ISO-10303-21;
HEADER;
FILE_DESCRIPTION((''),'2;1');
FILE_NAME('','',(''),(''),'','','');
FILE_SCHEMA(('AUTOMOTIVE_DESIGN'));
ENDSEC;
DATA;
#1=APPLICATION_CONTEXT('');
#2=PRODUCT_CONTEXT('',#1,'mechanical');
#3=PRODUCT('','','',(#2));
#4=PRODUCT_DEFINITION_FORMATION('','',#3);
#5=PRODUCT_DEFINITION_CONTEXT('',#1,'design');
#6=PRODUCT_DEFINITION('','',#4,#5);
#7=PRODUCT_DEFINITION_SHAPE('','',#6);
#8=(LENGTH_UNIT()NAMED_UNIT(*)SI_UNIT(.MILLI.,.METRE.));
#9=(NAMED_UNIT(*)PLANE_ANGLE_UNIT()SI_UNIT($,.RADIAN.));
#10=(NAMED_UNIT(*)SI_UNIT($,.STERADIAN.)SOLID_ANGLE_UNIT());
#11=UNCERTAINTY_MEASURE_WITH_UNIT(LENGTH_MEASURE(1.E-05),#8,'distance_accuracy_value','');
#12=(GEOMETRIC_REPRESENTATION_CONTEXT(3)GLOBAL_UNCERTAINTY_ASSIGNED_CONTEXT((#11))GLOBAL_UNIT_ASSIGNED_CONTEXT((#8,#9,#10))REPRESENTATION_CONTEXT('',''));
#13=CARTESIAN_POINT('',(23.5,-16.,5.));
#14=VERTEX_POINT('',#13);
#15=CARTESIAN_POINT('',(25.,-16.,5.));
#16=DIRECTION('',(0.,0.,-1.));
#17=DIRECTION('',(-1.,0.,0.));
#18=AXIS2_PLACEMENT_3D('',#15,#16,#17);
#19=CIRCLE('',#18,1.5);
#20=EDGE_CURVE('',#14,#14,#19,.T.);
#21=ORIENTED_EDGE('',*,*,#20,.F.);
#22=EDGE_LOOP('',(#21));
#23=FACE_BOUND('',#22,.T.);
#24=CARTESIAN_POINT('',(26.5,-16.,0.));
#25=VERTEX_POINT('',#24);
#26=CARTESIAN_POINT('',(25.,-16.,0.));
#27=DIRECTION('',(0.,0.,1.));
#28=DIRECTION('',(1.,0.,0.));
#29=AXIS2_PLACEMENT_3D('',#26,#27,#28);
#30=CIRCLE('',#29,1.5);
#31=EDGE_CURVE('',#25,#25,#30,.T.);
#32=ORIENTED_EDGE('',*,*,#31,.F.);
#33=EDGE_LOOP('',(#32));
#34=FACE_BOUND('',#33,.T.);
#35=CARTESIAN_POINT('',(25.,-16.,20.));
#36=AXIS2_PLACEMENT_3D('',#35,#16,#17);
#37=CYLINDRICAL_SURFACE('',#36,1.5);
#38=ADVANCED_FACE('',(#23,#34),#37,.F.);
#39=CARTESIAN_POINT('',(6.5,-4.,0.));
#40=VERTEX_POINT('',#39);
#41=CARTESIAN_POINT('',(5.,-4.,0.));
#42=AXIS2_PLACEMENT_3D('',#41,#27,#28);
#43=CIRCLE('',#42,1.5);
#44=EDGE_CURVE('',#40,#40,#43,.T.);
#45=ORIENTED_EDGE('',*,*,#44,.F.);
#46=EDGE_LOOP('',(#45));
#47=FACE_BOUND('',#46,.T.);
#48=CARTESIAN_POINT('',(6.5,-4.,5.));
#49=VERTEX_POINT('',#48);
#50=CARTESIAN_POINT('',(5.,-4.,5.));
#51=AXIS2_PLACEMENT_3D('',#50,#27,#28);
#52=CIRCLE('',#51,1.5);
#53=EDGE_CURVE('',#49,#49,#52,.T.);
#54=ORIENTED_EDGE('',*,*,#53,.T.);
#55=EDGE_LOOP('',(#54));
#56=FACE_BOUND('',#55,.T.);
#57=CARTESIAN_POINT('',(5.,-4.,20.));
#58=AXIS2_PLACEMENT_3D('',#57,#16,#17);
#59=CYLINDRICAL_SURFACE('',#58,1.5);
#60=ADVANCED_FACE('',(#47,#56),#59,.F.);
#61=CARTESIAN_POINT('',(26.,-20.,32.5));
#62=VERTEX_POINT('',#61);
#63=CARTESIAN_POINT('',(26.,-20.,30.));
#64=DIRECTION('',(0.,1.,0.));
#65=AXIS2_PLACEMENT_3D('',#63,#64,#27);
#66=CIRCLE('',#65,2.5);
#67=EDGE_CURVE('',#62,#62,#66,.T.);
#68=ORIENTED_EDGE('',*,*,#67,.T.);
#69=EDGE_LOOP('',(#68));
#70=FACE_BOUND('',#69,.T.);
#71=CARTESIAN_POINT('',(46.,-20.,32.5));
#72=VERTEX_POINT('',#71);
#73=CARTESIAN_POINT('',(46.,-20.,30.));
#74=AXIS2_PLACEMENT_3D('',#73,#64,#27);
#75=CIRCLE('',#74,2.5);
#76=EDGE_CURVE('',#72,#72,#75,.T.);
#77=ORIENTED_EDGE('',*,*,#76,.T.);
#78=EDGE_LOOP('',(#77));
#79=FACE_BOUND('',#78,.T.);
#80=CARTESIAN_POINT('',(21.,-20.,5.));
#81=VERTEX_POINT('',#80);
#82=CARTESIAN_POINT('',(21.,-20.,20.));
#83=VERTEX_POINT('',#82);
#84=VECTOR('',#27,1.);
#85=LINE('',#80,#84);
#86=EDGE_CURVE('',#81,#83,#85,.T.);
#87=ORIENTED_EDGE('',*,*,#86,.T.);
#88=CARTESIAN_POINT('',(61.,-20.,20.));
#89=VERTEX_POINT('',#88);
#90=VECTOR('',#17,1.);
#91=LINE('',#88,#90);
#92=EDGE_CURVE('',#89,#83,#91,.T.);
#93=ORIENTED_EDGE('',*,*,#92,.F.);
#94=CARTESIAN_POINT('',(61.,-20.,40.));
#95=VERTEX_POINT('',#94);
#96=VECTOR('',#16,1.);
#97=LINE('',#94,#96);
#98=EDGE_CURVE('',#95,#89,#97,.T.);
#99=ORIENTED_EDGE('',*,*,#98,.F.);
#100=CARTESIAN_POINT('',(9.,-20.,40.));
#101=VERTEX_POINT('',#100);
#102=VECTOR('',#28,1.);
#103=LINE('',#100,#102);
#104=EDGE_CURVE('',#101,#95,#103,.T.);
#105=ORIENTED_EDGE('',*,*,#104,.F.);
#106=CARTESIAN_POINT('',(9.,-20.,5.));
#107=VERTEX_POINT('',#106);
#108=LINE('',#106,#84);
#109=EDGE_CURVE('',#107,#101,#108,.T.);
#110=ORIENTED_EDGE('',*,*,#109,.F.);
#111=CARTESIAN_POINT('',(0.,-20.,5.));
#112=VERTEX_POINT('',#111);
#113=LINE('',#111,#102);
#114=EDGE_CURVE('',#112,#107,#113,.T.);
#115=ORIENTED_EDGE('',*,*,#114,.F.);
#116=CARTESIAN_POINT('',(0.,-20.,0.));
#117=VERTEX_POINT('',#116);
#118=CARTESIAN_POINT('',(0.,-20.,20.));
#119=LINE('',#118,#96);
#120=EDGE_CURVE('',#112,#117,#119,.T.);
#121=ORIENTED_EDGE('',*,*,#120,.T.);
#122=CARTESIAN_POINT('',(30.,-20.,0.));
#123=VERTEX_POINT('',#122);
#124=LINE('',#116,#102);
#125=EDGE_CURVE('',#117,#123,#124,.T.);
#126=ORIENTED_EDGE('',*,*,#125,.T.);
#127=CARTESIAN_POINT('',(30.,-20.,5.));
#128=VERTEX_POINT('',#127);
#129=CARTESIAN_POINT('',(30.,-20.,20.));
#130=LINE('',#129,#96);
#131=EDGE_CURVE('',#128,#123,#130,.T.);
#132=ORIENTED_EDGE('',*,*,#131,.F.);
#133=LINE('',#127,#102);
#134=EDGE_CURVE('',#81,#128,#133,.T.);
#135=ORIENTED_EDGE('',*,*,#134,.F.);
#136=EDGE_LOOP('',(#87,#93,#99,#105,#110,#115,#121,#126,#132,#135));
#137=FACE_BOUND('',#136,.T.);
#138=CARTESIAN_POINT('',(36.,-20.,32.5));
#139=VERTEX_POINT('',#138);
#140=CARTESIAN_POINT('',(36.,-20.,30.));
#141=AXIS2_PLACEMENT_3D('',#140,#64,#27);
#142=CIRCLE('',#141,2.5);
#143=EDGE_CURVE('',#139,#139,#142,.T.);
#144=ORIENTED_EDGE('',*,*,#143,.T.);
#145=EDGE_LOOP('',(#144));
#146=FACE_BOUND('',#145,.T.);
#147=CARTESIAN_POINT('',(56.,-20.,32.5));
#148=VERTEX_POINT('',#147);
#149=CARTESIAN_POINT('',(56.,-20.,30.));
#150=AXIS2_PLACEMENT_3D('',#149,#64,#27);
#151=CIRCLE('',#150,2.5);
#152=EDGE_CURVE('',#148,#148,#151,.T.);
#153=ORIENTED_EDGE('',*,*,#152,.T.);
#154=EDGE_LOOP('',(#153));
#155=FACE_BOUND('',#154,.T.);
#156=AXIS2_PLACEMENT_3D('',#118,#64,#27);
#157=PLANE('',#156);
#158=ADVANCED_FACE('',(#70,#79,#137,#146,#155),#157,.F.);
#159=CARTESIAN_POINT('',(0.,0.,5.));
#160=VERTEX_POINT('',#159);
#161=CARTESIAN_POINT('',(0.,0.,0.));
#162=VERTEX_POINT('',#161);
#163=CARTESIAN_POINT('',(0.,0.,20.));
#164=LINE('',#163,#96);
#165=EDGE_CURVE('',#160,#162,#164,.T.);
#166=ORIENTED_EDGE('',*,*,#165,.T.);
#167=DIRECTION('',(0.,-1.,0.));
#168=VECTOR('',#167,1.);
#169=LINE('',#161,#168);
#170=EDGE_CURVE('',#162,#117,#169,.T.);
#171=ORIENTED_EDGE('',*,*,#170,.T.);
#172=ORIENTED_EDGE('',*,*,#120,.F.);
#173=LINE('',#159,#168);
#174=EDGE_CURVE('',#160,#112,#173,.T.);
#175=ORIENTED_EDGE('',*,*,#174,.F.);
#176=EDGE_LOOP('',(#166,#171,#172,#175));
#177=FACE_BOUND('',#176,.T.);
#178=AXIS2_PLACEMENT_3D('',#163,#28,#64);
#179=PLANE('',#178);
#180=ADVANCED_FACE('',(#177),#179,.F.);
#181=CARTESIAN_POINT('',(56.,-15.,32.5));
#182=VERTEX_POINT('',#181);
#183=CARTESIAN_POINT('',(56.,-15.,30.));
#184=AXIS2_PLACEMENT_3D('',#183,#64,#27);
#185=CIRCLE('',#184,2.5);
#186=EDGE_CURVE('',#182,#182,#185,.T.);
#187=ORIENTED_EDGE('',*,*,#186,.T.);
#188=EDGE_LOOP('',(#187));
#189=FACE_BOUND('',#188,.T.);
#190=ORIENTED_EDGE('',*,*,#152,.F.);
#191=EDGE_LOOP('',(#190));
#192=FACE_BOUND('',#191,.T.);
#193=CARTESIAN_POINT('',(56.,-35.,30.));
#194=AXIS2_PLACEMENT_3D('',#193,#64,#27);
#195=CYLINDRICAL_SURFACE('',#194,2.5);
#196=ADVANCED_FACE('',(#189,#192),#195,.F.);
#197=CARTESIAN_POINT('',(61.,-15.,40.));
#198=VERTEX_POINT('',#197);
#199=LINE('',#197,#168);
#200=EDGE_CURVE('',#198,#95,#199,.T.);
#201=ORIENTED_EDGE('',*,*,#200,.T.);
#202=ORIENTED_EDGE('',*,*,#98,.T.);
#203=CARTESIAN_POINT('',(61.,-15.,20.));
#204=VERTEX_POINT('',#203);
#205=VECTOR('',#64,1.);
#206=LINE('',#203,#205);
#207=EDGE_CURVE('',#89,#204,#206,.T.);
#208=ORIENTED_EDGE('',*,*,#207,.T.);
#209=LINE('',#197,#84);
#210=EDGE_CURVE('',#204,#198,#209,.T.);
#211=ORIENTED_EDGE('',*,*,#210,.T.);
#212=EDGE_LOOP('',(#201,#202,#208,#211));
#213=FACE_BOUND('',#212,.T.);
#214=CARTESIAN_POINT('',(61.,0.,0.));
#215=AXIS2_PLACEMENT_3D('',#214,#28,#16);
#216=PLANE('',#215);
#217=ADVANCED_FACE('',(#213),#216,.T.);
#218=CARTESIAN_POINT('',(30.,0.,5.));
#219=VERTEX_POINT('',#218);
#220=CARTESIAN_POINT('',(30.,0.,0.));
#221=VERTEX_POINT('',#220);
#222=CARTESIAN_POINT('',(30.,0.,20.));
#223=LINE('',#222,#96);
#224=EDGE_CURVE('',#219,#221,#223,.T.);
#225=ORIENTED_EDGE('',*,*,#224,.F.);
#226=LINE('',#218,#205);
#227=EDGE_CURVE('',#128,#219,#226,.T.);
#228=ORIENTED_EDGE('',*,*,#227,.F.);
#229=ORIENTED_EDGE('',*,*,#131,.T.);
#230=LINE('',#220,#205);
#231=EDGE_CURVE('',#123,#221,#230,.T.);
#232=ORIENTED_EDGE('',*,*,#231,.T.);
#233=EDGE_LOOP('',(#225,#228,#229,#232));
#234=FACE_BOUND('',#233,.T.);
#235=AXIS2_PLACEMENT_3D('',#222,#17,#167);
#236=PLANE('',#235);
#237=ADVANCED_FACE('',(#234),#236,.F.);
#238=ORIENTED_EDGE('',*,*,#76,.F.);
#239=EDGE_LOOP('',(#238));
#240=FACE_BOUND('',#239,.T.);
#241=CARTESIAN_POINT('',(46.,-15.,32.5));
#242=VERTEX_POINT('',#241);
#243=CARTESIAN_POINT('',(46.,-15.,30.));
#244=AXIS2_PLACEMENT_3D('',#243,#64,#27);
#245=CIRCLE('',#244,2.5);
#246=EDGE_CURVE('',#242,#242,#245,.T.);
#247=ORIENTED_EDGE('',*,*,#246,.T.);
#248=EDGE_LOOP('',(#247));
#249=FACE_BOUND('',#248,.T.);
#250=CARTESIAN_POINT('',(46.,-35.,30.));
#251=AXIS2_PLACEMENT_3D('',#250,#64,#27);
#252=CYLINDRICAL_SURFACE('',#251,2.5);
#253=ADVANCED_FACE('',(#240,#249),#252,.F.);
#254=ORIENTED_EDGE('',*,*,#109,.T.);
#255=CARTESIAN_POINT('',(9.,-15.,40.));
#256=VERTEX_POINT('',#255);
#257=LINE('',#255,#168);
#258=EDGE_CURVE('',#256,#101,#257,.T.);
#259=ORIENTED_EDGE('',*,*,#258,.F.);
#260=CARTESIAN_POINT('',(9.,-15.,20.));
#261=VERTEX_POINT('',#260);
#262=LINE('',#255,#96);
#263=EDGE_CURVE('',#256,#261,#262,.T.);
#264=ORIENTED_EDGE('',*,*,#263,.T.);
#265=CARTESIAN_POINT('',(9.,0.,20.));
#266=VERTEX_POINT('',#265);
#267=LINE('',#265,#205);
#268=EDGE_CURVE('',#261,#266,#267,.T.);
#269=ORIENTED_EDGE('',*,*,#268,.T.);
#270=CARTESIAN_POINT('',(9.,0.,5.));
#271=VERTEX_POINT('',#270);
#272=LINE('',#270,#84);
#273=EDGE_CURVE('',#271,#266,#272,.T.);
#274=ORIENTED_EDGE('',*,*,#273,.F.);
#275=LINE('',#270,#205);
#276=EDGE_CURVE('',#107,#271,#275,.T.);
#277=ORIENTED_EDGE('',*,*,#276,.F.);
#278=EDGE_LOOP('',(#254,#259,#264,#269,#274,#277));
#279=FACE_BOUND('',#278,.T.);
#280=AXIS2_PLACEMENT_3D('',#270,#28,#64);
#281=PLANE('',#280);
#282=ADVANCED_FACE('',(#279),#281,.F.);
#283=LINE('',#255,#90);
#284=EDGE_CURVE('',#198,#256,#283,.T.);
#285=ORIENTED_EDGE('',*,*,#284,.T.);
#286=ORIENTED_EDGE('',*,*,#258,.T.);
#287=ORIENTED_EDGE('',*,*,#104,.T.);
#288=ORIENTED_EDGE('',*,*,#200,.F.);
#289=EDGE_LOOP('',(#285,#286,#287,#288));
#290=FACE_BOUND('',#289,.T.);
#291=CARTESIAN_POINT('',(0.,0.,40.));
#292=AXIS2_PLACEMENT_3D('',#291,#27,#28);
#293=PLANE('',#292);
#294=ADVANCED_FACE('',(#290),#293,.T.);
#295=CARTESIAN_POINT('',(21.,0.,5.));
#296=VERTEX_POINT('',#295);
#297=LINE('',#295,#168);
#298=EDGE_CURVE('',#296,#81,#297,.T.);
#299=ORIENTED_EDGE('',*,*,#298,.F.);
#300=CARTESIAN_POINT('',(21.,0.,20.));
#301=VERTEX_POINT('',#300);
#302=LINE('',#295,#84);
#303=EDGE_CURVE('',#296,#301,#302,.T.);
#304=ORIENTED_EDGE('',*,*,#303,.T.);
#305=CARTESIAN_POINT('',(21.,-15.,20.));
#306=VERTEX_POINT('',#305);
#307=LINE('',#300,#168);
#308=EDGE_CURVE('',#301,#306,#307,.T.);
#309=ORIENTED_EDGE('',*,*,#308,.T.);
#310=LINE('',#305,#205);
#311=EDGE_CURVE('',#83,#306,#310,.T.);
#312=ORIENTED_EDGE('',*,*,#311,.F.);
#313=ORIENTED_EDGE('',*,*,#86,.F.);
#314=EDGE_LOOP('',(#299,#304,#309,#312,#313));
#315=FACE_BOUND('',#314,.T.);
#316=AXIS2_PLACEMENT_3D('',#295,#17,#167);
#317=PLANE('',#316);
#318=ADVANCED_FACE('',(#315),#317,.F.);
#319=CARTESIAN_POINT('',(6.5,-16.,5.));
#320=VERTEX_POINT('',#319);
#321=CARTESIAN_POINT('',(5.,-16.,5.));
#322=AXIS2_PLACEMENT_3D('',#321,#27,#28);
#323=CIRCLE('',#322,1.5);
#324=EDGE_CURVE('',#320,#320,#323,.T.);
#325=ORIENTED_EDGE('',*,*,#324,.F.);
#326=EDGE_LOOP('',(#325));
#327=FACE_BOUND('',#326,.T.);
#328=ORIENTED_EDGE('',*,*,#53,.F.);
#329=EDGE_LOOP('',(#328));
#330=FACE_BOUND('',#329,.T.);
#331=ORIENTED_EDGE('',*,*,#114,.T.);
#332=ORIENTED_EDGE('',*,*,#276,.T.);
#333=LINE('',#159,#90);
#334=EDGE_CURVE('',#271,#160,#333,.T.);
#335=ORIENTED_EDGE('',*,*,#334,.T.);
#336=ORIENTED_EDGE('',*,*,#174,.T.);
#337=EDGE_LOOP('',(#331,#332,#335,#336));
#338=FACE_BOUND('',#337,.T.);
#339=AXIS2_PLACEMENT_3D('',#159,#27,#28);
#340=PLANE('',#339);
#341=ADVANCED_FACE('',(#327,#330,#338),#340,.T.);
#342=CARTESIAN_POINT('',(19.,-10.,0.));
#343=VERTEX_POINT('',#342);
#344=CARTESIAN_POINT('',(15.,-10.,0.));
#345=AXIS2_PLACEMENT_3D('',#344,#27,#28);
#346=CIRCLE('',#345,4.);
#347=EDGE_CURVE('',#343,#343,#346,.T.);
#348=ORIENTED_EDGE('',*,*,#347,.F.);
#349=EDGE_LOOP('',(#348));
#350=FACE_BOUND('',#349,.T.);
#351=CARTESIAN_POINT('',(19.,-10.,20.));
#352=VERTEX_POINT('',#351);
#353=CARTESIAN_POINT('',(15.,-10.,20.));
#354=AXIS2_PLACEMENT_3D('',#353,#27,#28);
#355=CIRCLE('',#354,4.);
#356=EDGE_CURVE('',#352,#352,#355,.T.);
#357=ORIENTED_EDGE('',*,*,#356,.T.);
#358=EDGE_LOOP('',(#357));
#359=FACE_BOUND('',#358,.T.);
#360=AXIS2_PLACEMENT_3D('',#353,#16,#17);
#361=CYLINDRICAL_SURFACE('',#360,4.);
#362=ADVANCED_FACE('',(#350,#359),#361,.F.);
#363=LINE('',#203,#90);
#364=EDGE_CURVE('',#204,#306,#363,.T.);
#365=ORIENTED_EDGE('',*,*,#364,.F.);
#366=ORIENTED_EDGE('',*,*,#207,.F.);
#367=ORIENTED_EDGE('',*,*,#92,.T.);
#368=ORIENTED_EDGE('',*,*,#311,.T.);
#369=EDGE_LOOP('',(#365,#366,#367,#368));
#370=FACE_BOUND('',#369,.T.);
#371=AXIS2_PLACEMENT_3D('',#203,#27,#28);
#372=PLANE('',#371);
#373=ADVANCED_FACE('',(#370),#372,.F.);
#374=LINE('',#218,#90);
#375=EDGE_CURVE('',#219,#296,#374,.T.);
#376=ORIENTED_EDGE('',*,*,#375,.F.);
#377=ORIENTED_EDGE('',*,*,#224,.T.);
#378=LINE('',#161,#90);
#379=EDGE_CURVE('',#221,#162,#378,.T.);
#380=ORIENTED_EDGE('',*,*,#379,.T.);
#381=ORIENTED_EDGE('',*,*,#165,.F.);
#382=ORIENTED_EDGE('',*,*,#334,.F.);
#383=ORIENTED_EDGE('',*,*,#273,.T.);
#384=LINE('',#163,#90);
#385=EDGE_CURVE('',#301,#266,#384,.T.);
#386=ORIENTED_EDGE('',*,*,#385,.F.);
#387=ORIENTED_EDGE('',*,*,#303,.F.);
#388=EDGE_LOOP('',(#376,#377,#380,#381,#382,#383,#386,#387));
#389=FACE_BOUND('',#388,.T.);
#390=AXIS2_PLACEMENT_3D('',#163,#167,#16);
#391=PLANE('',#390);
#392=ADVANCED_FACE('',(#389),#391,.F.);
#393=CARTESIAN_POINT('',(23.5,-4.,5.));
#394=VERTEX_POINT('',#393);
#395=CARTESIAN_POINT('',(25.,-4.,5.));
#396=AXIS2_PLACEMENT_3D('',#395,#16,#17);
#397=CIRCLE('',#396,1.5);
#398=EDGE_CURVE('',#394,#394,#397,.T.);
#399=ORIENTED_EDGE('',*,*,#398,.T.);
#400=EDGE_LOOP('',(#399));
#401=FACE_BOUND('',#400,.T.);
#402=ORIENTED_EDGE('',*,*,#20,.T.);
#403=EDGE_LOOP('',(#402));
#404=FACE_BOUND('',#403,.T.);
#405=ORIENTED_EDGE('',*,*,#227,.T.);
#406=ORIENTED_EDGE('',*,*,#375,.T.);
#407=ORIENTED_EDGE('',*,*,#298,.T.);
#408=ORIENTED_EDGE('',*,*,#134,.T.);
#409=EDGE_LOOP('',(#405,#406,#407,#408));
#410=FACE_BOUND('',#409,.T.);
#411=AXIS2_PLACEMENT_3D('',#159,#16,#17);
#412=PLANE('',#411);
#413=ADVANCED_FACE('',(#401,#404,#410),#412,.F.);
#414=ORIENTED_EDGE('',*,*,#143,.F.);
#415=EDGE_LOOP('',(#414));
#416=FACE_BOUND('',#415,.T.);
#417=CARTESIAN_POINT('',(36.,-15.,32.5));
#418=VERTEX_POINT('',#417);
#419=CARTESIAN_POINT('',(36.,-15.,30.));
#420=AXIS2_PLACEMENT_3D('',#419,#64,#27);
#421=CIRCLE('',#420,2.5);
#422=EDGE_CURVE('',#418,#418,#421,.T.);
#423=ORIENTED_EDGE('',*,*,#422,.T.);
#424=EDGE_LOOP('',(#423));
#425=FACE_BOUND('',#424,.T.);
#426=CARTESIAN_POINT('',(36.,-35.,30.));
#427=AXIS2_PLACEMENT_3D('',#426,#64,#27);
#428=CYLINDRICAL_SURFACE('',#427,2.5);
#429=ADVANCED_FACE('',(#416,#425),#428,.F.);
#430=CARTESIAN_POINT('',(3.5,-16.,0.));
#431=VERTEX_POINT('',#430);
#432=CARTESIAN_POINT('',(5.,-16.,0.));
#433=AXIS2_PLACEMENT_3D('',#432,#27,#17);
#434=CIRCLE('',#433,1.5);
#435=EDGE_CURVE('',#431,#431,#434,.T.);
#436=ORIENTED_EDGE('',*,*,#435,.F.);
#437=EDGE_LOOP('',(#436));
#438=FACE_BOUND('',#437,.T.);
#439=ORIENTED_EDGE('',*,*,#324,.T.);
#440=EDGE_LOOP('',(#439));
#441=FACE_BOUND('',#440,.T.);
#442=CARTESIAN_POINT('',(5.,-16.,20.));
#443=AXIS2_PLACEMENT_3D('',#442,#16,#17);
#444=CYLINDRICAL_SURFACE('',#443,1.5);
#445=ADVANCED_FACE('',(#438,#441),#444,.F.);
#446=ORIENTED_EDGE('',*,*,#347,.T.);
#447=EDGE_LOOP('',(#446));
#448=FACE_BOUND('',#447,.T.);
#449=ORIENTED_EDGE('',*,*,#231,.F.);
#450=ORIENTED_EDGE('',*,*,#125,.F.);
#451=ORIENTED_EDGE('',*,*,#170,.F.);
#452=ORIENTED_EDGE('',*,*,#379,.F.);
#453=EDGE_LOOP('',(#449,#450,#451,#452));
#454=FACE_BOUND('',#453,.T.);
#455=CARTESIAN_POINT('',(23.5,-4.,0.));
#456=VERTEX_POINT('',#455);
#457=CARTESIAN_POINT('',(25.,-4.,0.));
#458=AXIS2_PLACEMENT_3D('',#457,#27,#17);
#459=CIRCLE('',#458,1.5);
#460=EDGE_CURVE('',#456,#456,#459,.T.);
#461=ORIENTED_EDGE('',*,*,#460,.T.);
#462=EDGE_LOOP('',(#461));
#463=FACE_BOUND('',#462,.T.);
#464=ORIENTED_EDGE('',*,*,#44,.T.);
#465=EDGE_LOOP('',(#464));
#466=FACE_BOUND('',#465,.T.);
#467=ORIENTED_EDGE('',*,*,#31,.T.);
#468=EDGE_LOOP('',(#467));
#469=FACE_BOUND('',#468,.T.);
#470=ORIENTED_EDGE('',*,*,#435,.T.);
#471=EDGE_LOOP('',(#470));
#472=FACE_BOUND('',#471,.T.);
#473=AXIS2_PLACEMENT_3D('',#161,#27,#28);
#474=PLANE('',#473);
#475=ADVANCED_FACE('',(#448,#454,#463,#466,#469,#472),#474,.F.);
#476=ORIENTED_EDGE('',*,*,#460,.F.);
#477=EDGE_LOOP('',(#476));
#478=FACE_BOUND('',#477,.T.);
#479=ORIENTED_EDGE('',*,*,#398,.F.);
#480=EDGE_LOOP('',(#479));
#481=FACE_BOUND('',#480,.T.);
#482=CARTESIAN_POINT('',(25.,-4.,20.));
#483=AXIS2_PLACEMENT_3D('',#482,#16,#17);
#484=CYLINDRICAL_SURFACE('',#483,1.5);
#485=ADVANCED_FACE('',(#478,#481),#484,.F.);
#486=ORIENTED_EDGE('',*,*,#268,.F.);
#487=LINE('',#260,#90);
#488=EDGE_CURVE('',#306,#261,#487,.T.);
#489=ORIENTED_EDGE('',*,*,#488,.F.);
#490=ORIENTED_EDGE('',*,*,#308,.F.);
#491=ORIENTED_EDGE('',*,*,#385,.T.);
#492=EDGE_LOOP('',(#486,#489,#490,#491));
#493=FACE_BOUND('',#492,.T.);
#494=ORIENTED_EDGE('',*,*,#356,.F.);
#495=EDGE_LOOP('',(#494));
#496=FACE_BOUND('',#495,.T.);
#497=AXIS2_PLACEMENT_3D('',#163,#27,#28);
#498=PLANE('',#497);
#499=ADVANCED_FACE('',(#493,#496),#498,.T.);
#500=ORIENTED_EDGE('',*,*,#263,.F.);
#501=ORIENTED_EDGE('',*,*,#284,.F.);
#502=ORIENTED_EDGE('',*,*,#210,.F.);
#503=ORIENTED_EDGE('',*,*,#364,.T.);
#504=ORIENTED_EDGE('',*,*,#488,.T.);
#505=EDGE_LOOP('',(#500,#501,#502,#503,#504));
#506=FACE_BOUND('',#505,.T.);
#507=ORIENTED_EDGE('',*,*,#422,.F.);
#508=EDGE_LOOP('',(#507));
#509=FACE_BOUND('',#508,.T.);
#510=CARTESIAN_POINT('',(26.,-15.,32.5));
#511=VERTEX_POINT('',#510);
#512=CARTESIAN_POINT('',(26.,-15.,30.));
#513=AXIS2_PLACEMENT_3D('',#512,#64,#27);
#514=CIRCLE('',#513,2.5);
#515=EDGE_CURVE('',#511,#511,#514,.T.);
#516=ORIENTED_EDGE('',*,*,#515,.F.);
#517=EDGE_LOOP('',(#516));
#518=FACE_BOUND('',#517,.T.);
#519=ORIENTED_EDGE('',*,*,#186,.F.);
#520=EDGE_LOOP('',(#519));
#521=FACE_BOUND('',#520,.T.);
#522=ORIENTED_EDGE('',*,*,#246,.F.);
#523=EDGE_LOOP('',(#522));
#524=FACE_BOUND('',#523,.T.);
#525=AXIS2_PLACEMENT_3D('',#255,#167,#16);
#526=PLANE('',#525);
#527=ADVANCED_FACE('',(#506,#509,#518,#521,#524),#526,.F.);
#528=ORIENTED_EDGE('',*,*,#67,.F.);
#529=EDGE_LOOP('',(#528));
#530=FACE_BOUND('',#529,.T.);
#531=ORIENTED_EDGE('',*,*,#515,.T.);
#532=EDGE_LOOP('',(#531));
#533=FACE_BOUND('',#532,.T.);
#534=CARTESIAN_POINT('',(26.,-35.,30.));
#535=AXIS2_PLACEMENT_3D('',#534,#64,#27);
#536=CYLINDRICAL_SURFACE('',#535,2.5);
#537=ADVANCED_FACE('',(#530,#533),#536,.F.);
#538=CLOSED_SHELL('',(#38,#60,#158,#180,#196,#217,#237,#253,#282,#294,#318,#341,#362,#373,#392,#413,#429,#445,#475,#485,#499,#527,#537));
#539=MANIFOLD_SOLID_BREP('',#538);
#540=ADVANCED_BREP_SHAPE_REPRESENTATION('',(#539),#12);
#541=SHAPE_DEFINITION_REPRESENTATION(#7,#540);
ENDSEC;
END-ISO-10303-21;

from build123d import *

# Parameters (mm, degrees)
SKETCH_1_W          = 30
SKETCH_1_H          = 20
SKETCH_1_R          = 1.5
SKETCH_1_R_2        = 4
EXTRUDE_1_DEPTH     = 20
SKETCH_2_W          = 9
SKETCH_2_H          = 20
CUT_EXTRUDE_1_DEPTH = 15
SKETCH_3_W          = 12
SKETCH_3_H          = 5
EXTRUDE_2_DEPTH     = 20
SKETCH_4_W          = 20
SKETCH_4_H          = 5
EXTRUDE_3_DEPTH     = 40
SKETCH_5_R          = 2.5
CUT_EXTRUDE_2_DEPTH = 20


with BuildPart() as part:
    # 草图1 → 凸台-拉伸1 (new body)
    with BuildSketch(Plane.XY):
        with Locations((15, -10)):
            Rectangle(SKETCH_1_W, SKETCH_1_H)
        with Locations((5, -4)):
            Circle(SKETCH_1_R, mode=Mode.SUBTRACT)
        with Locations((25, -4)):
            Circle(SKETCH_1_R, mode=Mode.SUBTRACT)
        with Locations((25, -16)):
            Circle(SKETCH_1_R, mode=Mode.SUBTRACT)
        with Locations((5, -16)):
            Circle(SKETCH_1_R, mode=Mode.SUBTRACT)
        with Locations((15, -10)):
            Circle(SKETCH_1_R_2, mode=Mode.SUBTRACT)
    extrude(amount=EXTRUDE_1_DEPTH)

    # 草图2 → 切除-拉伸1 (cut)
    with BuildSketch(Plane.XY.offset(20)):
        with Locations((4.5, -10)):
            Rectangle(SKETCH_2_W, SKETCH_2_H)
        with Locations((25.5, -10)):
            Rectangle(SKETCH_2_W, SKETCH_2_H)
    extrude(amount=-CUT_EXTRUDE_1_DEPTH, mode=Mode.SUBTRACT)

    # 草图3 → 凸台-拉伸2 (add)
    with BuildSketch(Plane.XY.offset(20)):
        with Locations((15, -17.5)):
            Rectangle(SKETCH_3_W, SKETCH_3_H)
    extrude(amount=EXTRUDE_2_DEPTH)

    # 草图4 → 凸台-拉伸3 (add)
    with BuildSketch(Plane(origin=(21, 0, 0), x_dir=(0, 0, -1), z_dir=(1, 0, 0))):
        with Locations((-30, -17.5)):
            Rectangle(SKETCH_4_W, SKETCH_4_H)
    extrude(amount=EXTRUDE_3_DEPTH)

    # 草图5 → 切除-拉伸2 (cut)
    with BuildSketch(Plane(origin=(0, -15, 0), x_dir=(1, 0, 0), z_dir=(0, 1, 0))):
        with Locations((26, -30)):
            Circle(SKETCH_5_R)
        with Locations((36, -30)):
            Circle(SKETCH_5_R)
        with Locations((46, -30)):
            Circle(SKETCH_5_R)
        with Locations((56, -30)):
            Circle(SKETCH_5_R)
    extrude(amount=-CUT_EXTRUDE_2_DEPTH, mode=Mode.SUBTRACT)


solid = part.part
